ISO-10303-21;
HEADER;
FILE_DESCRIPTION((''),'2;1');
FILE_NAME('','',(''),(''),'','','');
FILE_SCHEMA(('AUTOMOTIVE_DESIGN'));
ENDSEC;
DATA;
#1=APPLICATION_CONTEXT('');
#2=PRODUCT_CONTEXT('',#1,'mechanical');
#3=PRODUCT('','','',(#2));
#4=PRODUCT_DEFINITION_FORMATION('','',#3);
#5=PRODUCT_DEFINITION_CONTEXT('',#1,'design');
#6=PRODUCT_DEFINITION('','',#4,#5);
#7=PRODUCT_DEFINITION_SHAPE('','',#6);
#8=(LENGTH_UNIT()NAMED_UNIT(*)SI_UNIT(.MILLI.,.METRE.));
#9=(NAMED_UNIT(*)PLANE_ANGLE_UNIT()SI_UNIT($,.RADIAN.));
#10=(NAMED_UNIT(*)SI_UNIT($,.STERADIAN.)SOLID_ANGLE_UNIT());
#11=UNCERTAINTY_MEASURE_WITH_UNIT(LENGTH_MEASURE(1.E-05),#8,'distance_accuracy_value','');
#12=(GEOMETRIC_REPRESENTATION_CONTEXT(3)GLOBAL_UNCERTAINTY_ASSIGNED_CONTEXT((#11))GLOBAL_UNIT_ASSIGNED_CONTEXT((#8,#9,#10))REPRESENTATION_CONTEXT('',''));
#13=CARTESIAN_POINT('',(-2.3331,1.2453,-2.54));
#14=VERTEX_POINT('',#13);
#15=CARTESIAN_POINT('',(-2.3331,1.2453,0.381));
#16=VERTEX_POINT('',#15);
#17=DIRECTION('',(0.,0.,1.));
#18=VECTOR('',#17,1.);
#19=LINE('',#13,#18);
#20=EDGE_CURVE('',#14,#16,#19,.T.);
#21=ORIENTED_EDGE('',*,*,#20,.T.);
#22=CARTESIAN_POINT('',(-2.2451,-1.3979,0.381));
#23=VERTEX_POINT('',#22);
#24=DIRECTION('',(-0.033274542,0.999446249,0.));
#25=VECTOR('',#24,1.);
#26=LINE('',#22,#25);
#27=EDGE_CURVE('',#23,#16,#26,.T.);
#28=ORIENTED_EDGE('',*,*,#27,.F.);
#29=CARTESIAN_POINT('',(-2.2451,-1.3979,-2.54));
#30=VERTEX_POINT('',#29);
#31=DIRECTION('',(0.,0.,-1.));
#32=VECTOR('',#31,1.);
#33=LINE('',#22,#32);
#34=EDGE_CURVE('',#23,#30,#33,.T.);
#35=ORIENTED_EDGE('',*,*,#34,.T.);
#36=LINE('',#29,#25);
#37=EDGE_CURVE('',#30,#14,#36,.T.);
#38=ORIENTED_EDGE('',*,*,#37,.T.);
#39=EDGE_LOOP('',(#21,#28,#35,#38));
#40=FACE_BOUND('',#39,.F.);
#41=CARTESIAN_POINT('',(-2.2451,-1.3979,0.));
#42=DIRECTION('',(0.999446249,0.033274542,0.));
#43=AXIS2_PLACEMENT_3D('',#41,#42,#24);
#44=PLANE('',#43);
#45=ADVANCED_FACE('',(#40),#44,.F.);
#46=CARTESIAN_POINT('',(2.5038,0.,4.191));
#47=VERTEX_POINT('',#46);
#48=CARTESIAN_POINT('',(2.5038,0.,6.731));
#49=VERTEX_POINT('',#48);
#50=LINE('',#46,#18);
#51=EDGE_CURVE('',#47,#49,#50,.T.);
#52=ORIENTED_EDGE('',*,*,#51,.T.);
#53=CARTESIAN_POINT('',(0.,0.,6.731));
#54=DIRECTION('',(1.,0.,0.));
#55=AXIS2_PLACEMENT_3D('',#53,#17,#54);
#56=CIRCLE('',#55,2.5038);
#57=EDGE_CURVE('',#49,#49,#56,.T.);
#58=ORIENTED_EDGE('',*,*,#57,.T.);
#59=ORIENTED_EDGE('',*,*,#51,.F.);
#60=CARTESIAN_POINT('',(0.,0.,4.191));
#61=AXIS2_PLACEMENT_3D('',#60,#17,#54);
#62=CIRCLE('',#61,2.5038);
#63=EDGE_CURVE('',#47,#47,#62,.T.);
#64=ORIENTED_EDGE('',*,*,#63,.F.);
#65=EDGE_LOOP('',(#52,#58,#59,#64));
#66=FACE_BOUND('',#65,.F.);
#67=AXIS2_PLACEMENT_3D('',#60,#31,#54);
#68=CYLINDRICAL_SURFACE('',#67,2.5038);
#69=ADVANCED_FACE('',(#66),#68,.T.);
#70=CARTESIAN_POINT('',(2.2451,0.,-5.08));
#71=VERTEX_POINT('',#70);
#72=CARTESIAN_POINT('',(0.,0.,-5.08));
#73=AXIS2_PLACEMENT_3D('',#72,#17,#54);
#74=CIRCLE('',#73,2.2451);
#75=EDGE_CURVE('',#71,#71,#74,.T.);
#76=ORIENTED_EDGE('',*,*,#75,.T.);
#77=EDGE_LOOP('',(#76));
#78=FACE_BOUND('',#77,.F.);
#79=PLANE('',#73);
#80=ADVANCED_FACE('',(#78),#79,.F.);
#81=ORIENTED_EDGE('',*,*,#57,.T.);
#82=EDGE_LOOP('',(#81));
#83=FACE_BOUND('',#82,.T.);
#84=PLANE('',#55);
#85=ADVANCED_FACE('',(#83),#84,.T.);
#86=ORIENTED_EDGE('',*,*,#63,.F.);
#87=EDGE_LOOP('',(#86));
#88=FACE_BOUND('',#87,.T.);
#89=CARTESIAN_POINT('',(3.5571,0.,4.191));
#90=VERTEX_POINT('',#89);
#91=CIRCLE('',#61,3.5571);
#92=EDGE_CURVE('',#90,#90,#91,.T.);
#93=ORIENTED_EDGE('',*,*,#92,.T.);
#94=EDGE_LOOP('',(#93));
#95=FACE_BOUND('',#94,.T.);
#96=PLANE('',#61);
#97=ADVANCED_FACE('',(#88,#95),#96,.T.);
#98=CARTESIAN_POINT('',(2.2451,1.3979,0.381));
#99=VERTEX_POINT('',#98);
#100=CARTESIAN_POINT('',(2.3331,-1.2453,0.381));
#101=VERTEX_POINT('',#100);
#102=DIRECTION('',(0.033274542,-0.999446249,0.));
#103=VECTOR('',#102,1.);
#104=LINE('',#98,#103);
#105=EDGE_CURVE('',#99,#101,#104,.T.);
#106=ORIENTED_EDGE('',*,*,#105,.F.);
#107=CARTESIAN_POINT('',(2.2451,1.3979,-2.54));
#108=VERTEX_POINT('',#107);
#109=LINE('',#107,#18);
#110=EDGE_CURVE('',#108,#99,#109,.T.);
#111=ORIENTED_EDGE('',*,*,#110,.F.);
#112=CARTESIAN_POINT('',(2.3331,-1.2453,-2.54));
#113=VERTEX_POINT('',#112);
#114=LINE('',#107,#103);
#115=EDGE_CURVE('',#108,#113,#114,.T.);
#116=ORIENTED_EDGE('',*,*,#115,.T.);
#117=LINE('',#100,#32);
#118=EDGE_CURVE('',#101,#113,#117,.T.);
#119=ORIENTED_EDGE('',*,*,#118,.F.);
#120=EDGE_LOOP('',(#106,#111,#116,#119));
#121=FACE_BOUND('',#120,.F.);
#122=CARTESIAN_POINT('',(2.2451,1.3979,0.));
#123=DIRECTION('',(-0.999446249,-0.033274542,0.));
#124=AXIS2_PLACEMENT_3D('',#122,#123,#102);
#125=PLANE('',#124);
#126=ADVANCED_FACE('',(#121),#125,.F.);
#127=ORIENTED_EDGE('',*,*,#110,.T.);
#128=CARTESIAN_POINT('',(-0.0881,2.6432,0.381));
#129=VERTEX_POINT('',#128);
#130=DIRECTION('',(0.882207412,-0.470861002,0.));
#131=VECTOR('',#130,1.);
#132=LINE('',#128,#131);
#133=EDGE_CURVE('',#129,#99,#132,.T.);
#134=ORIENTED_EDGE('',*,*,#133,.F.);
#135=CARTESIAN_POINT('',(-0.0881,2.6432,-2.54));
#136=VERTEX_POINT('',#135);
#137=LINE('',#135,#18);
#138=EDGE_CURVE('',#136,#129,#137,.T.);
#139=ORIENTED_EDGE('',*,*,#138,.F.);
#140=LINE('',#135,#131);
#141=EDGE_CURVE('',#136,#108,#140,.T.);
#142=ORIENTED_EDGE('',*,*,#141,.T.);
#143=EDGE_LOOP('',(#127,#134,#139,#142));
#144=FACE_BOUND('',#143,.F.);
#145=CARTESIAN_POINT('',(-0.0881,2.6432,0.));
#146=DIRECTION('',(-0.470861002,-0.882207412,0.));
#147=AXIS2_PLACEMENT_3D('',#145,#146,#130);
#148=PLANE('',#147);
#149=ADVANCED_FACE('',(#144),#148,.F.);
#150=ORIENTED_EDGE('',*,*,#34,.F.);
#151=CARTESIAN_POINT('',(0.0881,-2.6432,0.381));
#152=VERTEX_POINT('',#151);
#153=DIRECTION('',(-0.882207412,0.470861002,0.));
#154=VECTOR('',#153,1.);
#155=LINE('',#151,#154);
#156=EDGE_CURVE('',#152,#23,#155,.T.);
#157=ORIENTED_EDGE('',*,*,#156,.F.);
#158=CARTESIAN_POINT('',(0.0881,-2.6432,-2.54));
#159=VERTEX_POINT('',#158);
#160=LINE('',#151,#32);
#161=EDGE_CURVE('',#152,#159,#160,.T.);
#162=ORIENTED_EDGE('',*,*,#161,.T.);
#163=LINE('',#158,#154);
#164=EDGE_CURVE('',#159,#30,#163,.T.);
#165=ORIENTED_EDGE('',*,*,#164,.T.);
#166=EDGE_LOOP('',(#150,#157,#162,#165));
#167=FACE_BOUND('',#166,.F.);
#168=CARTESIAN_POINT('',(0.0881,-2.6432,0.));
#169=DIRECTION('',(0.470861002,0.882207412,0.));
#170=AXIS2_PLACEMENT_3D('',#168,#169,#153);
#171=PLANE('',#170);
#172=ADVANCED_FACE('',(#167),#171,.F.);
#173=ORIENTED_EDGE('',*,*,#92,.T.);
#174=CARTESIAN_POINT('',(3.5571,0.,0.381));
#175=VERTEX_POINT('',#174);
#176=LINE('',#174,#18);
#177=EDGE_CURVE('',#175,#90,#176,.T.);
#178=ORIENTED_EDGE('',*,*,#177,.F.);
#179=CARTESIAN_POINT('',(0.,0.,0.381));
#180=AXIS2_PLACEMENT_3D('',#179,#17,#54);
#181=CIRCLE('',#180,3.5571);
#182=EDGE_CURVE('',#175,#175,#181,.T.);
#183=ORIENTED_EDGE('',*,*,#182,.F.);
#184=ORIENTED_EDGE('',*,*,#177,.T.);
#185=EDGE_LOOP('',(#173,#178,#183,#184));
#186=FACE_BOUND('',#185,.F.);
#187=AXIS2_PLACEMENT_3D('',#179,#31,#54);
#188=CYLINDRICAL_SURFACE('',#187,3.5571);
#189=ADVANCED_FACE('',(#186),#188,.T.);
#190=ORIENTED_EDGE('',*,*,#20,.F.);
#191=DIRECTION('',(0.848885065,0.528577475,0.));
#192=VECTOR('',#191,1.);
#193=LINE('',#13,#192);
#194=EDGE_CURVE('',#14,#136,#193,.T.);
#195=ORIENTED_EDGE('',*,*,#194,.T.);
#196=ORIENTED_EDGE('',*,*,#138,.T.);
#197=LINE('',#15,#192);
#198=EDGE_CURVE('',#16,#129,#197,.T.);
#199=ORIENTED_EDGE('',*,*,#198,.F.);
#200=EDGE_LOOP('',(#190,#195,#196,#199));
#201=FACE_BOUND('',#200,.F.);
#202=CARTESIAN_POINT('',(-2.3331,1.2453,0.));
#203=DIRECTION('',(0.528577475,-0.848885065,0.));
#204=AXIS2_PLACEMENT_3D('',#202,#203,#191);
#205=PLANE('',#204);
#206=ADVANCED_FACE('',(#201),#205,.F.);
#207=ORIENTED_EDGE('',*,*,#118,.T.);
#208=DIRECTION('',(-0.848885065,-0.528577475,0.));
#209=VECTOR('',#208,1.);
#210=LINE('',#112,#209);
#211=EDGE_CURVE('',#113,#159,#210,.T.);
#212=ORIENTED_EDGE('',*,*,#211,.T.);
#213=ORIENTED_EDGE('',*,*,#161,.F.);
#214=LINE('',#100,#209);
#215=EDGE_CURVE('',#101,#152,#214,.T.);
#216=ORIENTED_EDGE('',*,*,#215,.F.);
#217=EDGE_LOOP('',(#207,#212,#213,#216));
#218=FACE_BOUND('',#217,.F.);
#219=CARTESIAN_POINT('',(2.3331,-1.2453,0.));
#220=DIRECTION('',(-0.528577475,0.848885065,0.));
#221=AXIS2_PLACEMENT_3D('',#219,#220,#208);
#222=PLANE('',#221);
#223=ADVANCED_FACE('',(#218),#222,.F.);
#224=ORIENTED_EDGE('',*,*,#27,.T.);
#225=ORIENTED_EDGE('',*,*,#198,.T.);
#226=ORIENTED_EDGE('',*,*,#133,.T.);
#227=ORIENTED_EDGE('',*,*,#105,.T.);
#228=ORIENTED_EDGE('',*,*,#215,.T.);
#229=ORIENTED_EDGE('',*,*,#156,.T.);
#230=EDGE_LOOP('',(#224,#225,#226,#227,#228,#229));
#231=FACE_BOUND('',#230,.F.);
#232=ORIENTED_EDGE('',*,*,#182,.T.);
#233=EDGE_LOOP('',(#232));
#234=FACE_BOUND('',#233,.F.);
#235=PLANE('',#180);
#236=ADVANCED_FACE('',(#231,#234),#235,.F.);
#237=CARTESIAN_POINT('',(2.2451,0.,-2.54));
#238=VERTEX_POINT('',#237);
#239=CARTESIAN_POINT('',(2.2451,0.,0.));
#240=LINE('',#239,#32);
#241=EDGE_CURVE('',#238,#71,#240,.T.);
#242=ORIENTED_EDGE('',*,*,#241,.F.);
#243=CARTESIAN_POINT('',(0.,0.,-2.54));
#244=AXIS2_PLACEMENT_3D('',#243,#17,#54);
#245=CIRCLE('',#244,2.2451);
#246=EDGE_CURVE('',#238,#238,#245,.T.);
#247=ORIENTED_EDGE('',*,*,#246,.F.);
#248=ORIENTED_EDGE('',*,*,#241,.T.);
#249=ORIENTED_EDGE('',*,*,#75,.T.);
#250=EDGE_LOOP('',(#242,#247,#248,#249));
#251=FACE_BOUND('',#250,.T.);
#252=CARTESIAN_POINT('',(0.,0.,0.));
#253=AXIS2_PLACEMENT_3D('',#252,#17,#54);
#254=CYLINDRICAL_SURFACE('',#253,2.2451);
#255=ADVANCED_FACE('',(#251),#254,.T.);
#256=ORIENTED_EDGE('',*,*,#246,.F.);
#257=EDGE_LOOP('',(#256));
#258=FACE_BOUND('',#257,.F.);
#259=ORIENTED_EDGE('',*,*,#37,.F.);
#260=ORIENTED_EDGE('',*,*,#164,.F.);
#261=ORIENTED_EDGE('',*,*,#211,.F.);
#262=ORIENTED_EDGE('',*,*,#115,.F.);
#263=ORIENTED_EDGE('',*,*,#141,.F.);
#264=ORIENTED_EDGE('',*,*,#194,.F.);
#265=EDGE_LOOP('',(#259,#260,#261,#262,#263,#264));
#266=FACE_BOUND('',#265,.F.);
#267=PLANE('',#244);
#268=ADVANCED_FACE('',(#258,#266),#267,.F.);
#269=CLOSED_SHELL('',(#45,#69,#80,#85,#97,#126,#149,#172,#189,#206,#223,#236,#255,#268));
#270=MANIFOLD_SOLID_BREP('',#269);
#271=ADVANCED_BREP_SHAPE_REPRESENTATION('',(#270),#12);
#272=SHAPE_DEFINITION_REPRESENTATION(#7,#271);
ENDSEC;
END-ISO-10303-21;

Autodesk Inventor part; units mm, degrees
ref_plane "YZ Plane" through (0, 0, 0) normal (1, 0, 0) x (0, 1, 0)
ref_plane "XZ Plane" through (0, 0, 0) normal (0, 1, 0) x (-1, 0, 0)
ref_plane "XY Plane" through (0, 0, 0) normal (0, 0, 1) x (1, 0, 0)
sketch "Sketch1" plane through (0, 0, 0) normal (0, 0, 1) x (1, 0, 0)
  circle A0 centre (0, 0) radius 2.2451
extrude "Extrusion1" add sketch "Sketch1" against normal blind 5.08
sketch "Sketch2" plane through (0, 0, 0) normal (0, 0, 1) x (1, 0, 0)
  circle A0 centre (0, 0) radius 2.2451 projected
  line L0 (2.2451, 1.3979) -> (2.3331, -1.2453)
  line L1 (2.3331, -1.2453) -> (0.0881, -2.6432)
  line L2 (0.0881, -2.6432) -> (-2.2451, -1.3979)
  line L3 (-2.2451, -1.3979) -> (-2.3331, 1.2453)
  line L4 (-2.3331, 1.2453) -> (-0.0881, 2.6432)
  line L5 (-0.0881, 2.6432) -> (2.2451, 1.3979)
extrude "Extrusion2" add sketch "Sketch2" along normal blind 0.381 and the other way blind 2.54 contours A0 | L0 L1 L2 L3 L4 L5
sketch "Sketch3" plane through (0, 0, 0.381) normal (0, 0, 1) x (1, 0, 0)
  circle A0 centre (0, 0) radius 3.5571
extrude "Extrusion3" add sketch "Sketch3" along normal blind 3.81
sketch "Sketch4" plane through (0, 0, 4.191) normal (0, 0, 1) x (1, 0, 0)
  circle A0 centre (0, 0) radius 2.5038
extrude "Extrusion4" add sketch "Sketch4" along normal blind 2.54
properties part number "SC DC MOTOR"
